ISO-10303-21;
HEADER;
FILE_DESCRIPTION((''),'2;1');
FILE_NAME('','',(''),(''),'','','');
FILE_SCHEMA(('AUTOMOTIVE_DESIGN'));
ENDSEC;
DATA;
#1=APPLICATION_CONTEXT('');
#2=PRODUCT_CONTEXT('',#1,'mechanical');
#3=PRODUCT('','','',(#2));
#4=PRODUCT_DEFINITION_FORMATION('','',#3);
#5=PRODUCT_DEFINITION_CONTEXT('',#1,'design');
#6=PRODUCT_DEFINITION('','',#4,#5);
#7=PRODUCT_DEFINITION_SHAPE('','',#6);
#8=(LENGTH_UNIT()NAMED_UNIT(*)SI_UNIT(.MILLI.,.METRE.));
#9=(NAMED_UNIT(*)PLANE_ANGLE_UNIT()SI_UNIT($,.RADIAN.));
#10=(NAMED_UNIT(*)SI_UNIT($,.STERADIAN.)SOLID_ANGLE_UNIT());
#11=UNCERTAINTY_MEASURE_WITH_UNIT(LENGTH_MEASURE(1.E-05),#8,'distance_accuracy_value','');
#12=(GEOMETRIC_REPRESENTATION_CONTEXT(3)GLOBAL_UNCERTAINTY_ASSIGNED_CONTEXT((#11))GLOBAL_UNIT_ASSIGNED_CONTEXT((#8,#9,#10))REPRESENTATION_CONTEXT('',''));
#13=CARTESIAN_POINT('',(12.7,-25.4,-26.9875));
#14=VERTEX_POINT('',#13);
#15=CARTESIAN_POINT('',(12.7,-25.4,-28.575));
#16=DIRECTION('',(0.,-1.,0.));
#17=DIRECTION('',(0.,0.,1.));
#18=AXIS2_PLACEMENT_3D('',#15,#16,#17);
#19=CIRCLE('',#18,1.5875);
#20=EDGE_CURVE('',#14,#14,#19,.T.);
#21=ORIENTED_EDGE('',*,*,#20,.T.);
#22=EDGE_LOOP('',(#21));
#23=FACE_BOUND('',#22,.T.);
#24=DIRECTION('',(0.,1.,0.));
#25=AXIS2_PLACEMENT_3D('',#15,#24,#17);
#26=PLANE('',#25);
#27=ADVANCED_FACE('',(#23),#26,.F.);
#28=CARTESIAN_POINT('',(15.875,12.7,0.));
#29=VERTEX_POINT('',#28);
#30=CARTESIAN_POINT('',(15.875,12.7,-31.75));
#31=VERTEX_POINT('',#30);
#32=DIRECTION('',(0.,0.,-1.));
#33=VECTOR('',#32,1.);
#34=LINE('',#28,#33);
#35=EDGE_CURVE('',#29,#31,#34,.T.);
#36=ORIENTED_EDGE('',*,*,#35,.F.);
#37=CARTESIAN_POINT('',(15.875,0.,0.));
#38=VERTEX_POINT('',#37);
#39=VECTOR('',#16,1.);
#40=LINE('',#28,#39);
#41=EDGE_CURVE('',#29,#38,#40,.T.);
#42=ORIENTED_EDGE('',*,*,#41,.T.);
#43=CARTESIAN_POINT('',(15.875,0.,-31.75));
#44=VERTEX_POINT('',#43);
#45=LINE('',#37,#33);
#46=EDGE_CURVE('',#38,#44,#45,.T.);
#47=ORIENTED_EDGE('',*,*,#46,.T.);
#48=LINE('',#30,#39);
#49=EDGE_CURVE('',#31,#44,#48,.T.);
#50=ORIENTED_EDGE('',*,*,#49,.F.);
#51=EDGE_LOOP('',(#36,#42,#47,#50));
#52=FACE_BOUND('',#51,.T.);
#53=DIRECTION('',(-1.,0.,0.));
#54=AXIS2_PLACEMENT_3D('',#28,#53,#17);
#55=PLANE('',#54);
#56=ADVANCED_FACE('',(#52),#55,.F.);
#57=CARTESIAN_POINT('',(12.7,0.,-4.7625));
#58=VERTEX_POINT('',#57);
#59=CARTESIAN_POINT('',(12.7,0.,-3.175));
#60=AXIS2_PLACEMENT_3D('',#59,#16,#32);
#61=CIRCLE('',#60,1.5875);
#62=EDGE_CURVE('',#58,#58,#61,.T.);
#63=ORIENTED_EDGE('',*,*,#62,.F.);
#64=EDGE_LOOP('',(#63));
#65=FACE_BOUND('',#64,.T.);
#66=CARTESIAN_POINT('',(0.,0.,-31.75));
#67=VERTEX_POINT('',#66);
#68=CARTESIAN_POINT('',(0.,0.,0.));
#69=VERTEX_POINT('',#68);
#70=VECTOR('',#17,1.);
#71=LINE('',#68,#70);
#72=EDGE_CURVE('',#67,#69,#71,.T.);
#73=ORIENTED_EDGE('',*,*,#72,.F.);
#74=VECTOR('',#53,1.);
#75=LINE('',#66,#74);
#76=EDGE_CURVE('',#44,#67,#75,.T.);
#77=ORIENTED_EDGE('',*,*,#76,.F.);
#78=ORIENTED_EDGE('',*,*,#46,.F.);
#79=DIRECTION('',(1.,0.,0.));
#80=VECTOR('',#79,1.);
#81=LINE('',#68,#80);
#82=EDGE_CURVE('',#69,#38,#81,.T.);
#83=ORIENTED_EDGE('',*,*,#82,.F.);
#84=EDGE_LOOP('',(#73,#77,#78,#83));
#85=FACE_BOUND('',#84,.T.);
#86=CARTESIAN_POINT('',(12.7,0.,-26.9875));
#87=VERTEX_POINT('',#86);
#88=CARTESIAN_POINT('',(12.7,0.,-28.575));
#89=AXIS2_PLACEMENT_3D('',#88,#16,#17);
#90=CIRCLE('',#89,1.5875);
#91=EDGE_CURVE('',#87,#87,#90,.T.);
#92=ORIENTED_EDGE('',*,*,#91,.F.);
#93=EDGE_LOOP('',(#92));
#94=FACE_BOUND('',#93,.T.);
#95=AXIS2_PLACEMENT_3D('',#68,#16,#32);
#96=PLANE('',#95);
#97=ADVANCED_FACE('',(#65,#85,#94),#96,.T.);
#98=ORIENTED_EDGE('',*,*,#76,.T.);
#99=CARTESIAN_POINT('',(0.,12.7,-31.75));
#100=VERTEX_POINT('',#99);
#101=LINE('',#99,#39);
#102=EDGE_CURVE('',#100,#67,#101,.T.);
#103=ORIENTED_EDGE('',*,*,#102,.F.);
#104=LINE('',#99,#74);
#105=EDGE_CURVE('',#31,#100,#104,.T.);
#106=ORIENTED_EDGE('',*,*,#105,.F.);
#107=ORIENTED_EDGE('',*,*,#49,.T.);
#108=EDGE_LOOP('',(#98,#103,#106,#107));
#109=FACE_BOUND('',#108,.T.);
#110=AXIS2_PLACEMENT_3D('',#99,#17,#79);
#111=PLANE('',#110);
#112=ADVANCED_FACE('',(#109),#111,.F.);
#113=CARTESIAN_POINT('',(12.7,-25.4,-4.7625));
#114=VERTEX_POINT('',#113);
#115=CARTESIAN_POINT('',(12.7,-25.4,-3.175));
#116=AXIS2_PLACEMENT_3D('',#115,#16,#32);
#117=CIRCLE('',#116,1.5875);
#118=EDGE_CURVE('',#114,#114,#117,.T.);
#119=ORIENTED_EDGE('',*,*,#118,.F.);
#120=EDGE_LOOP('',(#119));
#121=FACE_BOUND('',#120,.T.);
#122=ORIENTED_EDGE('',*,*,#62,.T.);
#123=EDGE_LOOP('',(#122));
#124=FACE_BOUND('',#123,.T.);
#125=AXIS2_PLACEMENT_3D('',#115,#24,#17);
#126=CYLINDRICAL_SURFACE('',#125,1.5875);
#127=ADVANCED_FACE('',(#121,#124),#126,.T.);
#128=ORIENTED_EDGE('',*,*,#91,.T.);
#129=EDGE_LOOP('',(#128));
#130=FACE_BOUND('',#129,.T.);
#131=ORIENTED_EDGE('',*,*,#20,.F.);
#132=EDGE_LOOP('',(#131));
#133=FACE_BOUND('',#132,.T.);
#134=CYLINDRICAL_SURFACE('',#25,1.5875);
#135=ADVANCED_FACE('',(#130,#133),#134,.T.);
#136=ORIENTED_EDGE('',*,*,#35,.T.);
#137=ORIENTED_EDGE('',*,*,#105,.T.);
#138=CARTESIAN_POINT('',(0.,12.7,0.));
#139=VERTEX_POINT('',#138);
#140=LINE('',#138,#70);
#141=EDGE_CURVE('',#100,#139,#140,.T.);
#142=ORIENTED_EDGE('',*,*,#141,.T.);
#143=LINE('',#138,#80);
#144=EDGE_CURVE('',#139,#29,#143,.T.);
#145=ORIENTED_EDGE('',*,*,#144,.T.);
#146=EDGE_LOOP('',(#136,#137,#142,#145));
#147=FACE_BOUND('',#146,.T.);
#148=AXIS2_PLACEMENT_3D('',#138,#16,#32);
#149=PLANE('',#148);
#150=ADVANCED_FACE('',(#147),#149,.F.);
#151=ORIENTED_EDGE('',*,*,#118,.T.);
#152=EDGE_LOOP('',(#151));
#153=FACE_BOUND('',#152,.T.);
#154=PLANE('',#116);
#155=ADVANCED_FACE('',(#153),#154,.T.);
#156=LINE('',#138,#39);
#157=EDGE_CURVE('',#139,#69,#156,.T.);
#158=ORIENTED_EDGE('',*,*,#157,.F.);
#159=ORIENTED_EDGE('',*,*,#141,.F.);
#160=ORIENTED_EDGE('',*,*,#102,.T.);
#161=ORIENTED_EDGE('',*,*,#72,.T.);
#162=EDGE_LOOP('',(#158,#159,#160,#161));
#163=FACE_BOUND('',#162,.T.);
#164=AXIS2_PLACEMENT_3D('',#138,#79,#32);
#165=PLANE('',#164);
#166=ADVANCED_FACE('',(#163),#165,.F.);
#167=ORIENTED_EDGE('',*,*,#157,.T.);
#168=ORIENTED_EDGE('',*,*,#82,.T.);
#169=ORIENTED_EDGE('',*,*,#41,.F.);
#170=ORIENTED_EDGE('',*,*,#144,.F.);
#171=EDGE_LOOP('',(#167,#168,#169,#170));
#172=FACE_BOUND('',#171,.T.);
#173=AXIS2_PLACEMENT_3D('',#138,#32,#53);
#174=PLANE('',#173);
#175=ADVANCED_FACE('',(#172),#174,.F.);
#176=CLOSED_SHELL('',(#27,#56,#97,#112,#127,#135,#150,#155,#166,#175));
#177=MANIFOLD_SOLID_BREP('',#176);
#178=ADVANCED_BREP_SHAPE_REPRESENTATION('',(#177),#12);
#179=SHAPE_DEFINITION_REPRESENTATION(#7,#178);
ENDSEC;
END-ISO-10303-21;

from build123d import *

# Parameters (mm, degrees)
SKETCH1_W           = 15.875
SKETCH1_H           = 31.75
BOSS_EXTRUDE1_DEPTH = 12.7
SKETCH2_R           = 1.5875
BOSS_EXTRUDE2_DEPTH = 25.4


with BuildPart() as part:
    # Sketch1 → Boss-Extrude1 (new body)
    with BuildSketch(Plane(origin=(0, 0, 0), x_dir=(1, 0, 0), z_dir=(0, 1, 0))):
        with Locations((7.9375, 15.875)):
            Rectangle(SKETCH1_W, SKETCH1_H)
    extrude(amount=BOSS_EXTRUDE1_DEPTH)

    # Sketch2 → Boss-Extrude2 (add)
    with BuildSketch(Plane.XZ):
        with Locations((12.7, -3.175)):
            Circle(SKETCH2_R)
        with Locations((12.7, -28.575)):
            Circle(SKETCH2_R)
    extrude(amount=BOSS_EXTRUDE2_DEPTH)


solid = part.part
